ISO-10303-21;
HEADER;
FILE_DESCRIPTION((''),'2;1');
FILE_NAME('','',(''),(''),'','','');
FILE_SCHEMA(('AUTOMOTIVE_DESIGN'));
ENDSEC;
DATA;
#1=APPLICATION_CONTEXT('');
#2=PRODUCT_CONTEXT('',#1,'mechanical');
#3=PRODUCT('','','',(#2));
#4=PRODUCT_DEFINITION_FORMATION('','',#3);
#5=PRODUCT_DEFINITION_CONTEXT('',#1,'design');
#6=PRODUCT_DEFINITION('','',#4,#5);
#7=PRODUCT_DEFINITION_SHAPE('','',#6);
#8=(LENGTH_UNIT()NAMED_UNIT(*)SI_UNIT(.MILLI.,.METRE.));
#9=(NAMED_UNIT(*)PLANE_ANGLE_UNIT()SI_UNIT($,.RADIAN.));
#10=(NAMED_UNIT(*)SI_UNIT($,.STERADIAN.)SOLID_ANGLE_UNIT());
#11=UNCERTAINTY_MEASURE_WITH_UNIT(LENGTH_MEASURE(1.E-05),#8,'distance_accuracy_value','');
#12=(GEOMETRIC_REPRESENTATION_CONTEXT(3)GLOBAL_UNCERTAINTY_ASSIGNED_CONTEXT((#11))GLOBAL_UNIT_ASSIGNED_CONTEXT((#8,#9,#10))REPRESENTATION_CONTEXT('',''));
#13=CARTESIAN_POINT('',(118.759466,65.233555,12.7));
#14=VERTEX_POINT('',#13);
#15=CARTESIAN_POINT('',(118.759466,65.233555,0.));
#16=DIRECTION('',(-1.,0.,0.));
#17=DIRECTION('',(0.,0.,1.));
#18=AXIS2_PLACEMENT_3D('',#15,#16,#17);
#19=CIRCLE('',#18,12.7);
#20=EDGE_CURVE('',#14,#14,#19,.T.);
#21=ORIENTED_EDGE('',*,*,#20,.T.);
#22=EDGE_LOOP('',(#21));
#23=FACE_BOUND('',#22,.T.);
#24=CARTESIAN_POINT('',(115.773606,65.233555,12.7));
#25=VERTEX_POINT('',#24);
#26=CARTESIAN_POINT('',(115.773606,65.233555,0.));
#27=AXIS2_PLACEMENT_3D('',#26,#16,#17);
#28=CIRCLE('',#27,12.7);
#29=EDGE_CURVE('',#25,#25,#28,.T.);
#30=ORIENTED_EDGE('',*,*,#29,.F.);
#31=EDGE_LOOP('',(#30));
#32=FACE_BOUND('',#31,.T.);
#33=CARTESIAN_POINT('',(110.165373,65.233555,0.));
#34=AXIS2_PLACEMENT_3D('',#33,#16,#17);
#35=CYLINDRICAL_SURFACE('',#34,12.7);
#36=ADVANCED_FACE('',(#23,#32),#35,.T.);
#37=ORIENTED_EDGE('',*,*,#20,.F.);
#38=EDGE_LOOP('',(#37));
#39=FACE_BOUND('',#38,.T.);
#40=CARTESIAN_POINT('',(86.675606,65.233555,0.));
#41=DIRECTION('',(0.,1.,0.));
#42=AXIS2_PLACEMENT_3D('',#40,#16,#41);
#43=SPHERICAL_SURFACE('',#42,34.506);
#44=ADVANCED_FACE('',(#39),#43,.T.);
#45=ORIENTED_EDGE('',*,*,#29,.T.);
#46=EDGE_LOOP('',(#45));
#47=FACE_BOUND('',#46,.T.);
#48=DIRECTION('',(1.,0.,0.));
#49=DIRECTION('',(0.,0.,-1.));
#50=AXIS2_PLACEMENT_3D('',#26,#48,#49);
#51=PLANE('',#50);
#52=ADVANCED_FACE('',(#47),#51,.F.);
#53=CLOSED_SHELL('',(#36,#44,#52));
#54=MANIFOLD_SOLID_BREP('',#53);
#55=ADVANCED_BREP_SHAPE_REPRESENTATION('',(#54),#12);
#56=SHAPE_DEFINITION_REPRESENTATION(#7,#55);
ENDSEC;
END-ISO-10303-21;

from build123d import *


with BuildPart() as part:
    # 草图1 → 旋转1 (revolve)
    with BuildSketch(Plane.XY):
        with BuildLine():
            Line((115.773606431, 65.233554926), (115.773606431, 77.933554926))
            Line((115.773606431, 77.933554926), (118.759465862, 77.933554926))
            ThreePointArc((118.759465862, 77.933554926), (120.570662778, 71.698010915), (121.181606431, 65.233554926))
            Line((121.181606431, 65.233554926), (115.773606431, 65.233554926))
        make_face()
    revolve(axis=Axis((110.165373228, 65.233554926, 0), (1, 0, 0)))


solid = part.part
